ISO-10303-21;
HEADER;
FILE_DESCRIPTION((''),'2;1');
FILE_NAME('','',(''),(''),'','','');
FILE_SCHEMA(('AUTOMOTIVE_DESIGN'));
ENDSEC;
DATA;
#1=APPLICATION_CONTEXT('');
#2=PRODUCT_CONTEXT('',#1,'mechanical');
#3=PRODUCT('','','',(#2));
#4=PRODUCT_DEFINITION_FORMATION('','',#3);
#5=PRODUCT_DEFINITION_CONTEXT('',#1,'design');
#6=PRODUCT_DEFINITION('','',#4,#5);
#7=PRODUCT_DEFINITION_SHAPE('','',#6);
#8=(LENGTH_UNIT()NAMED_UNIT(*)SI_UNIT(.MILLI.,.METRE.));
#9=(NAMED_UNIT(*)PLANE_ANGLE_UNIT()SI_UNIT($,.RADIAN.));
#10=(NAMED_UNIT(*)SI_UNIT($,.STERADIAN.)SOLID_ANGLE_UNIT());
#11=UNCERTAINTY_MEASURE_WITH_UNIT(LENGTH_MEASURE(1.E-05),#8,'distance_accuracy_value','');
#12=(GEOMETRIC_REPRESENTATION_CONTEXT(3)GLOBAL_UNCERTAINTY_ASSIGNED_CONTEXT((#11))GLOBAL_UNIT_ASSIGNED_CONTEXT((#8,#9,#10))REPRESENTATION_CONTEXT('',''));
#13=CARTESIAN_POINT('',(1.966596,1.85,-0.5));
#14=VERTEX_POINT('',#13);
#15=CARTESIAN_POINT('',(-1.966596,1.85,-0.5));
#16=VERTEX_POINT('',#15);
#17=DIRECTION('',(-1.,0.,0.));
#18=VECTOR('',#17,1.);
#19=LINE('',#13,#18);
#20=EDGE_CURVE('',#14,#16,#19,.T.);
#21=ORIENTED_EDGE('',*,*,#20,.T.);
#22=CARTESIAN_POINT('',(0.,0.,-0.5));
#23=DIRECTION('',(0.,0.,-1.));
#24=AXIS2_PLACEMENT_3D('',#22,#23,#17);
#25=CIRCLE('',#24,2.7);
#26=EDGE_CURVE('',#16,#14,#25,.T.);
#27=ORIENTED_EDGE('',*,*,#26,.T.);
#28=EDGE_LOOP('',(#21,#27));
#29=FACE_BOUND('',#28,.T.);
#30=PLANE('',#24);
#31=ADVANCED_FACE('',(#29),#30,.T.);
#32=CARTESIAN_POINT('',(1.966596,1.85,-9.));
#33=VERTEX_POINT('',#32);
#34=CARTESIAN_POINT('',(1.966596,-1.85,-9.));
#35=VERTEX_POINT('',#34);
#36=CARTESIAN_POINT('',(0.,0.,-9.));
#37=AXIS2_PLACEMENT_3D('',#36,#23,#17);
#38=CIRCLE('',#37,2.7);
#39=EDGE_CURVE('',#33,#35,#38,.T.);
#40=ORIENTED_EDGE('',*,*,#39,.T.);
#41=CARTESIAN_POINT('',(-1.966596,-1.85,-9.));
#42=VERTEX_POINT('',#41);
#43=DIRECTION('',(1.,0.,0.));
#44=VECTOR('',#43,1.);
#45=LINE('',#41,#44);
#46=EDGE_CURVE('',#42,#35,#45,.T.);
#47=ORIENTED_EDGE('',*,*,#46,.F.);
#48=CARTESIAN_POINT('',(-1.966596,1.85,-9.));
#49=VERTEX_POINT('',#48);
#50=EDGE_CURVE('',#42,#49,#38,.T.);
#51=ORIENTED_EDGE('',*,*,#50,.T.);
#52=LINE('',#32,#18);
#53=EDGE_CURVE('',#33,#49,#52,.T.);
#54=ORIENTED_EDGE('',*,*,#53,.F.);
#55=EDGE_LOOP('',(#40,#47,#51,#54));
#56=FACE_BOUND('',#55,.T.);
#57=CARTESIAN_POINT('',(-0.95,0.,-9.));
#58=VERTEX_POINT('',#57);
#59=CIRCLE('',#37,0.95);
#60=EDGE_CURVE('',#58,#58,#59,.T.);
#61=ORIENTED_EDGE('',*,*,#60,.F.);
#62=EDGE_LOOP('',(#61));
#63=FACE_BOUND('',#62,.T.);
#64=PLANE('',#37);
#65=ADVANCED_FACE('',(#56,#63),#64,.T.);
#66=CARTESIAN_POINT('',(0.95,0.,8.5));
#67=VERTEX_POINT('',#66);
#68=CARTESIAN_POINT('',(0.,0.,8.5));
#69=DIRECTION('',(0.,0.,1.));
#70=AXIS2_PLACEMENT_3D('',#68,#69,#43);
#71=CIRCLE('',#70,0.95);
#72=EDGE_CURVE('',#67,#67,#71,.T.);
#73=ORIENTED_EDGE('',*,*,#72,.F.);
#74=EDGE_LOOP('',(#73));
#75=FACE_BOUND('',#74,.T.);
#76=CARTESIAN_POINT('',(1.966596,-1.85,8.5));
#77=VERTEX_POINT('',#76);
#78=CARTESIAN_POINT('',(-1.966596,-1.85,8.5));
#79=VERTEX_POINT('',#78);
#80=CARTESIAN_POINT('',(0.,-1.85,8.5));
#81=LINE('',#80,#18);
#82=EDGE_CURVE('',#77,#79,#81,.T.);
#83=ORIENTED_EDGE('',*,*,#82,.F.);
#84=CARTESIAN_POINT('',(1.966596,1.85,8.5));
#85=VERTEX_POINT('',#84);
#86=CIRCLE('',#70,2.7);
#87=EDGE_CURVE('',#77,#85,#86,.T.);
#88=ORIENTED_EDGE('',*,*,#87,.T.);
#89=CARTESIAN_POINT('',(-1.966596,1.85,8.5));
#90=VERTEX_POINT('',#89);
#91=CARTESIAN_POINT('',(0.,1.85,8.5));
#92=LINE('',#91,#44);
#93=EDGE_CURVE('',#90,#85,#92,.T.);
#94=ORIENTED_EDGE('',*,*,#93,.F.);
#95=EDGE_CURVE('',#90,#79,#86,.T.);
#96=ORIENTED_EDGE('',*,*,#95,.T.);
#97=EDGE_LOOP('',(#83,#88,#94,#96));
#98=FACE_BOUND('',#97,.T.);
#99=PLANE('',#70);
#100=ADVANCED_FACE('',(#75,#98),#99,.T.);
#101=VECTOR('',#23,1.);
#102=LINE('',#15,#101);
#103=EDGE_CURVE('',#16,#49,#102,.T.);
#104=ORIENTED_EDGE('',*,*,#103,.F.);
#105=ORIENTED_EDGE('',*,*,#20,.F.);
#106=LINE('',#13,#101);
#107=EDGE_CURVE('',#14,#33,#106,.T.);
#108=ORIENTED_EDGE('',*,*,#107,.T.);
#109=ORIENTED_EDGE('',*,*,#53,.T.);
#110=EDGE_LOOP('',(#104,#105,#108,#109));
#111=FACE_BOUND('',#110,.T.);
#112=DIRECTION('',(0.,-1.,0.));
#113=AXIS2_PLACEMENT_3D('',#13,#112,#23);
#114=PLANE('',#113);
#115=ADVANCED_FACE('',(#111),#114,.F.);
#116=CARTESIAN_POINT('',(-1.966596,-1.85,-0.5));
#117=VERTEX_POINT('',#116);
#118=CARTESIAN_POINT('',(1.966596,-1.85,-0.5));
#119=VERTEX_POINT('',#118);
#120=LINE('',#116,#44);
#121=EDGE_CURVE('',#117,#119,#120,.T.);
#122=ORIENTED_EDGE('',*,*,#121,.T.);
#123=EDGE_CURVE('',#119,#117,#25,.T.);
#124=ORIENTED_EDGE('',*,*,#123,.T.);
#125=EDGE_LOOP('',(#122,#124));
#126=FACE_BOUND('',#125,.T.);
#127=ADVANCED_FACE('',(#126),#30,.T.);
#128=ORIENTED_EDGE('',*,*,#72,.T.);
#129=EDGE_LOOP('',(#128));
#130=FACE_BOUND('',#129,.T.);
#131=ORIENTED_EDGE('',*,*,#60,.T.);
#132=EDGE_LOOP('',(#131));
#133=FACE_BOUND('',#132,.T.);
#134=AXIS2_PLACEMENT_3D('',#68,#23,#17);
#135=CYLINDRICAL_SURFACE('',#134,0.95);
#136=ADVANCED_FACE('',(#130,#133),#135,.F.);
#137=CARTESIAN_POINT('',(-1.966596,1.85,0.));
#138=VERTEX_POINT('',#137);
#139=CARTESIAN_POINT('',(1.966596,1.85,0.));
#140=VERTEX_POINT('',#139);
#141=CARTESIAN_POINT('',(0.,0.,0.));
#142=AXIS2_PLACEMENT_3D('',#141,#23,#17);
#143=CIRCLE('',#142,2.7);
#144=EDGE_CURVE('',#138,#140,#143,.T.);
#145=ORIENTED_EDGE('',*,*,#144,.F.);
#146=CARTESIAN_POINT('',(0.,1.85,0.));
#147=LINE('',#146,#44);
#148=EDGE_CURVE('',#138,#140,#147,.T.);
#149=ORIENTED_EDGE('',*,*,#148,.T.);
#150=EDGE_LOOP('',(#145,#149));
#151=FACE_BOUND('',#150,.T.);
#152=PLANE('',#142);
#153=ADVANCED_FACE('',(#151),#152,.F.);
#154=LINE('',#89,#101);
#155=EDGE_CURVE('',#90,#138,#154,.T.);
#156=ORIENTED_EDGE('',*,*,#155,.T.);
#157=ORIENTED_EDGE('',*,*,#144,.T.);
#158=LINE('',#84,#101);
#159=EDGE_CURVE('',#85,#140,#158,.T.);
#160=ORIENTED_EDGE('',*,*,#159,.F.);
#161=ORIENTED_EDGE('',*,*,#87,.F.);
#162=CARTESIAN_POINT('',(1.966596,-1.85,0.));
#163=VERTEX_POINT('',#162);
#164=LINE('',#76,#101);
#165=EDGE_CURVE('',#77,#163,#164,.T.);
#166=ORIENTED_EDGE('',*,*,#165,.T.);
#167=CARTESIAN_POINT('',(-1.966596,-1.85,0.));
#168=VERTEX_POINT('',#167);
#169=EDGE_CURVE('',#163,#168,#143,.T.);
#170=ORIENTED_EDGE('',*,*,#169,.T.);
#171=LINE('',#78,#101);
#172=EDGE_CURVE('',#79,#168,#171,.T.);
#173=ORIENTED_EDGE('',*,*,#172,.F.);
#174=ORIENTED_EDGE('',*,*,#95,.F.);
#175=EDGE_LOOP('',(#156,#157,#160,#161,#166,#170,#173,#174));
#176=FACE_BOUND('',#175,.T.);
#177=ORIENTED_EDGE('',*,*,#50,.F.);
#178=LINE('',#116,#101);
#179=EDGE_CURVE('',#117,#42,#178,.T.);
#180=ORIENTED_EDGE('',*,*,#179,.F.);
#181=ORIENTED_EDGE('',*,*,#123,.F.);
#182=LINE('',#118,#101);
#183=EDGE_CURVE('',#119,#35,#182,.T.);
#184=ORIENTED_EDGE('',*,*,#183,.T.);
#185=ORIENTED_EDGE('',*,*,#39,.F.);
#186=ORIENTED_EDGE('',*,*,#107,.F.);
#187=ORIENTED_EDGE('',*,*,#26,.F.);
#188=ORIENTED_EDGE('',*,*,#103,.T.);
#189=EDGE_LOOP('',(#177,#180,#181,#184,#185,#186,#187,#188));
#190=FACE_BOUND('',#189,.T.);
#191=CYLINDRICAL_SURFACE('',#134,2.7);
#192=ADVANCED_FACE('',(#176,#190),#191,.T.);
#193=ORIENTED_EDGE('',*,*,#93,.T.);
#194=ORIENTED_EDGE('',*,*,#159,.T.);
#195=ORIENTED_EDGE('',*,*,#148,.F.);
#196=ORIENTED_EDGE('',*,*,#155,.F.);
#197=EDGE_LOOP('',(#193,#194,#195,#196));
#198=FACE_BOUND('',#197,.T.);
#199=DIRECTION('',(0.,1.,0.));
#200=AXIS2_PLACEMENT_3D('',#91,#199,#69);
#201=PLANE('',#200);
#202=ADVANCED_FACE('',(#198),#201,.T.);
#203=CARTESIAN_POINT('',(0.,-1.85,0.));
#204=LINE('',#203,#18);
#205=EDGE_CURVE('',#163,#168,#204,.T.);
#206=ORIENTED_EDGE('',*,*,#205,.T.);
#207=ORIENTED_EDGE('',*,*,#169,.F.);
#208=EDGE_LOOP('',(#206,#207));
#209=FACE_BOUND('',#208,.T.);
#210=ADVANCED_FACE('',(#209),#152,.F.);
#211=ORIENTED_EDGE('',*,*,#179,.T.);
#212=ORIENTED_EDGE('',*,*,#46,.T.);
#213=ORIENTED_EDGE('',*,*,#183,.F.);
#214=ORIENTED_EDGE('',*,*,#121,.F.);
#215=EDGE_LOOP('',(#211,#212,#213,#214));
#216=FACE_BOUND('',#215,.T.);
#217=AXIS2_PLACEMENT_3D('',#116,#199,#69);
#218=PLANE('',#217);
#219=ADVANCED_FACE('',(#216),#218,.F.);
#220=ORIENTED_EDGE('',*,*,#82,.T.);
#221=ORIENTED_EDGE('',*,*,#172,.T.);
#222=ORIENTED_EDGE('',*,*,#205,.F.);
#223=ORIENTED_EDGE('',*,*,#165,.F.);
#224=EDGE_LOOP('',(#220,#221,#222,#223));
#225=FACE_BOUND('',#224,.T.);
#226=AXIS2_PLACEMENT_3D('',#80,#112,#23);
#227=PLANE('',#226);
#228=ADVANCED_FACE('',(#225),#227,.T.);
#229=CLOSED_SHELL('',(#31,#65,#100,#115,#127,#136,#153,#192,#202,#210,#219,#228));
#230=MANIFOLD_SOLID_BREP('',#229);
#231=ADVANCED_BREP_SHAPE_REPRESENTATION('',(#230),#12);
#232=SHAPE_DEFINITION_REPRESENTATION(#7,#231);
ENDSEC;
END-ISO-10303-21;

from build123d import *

# Parameters (mm, degrees)
BOSS_EXTRUDE2_DEPTH = 8.5
BOSS_EXTRUDE4_START = 9
SKETCH3_R           = 2.700000061
SKETCH3_R_2         = 0.950000005
BOSS_EXTRUDE4_DEPTH = 9
SKETCH4_R           = 0.950000005
CUT_EXTRUDE1_DEPTH  = 8.5


with BuildPart() as part:
    # Sketch2 → Boss-Extrude2 (new body)
    with BuildSketch(Plane.XY):
        with BuildLine():
            Line((0, 0.950000005), (0, 1.85))
            Line((0, 1.85), (-1.966596128, 1.85))
            ThreePointArc((-1.966596128, 1.85), (-2.700000061, 0), (-1.966596128, -1.85))
            Line((-1.966596128, -1.85), (0, -1.85))
            Line((0, -1.85), (0, -0.950000005))
            ThreePointArc((0, -0.950000005), (-0.950000005, 0), (0, 0.950000005))
        make_face()
        with BuildLine():
            Line((1.966596128, 1.85), (0, 1.85))
            Line((0, 1.85), (0, 0.950000005))
            ThreePointArc((0, 0.950000005), (0.671751446, 0.671751446), (0.950000005, 0))
            ThreePointArc((0.950000005, 0), (0.671751446, -0.671751446), (0, -0.950000005))
            Line((0, -0.950000005), (0, -1.85))
            Line((0, -1.85), (1.966596128, -1.85))
            ThreePointArc((1.966596128, -1.85), (2.700000061, 0), (1.966596128, 1.85))
        make_face()
    extrude(amount=BOSS_EXTRUDE2_DEPTH)

    # Sketch3 → Boss-Extrude4 (add)
    with BuildSketch(Plane(origin=(0, 0, 0), x_dir=(-1, 0, 0), z_dir=(0, 0, -1)).offset(BOSS_EXTRUDE4_START)):
        Circle(SKETCH3_R)
        Circle(SKETCH3_R_2, mode=Mode.SUBTRACT)
    extrude(amount=-BOSS_EXTRUDE4_DEPTH)

    # Sketch4 → Cut-Extrude1 (cut)
    with BuildSketch(Plane(origin=(0, 0, -9), x_dir=(-1, 0, 0), z_dir=(0, 0, -1))):
        Circle(SKETCH4_R)
        with BuildLine():
            Line((-1.966596128, 1.85), (1.966596128, 1.85))
            ThreePointArc((1.966596128, 1.85), (0, 2.700000061), (-1.966596128, 1.85))
        make_face()
        with BuildLine():
            Line((1.966596128, -1.85), (-1.966596128, -1.85))
            ThreePointArc((-1.966596128, -1.85), (0, -2.700000061), (1.966596128, -1.85))
        make_face()
    extrude(amount=-CUT_EXTRUDE1_DEPTH, mode=Mode.SUBTRACT)


solid = part.part
